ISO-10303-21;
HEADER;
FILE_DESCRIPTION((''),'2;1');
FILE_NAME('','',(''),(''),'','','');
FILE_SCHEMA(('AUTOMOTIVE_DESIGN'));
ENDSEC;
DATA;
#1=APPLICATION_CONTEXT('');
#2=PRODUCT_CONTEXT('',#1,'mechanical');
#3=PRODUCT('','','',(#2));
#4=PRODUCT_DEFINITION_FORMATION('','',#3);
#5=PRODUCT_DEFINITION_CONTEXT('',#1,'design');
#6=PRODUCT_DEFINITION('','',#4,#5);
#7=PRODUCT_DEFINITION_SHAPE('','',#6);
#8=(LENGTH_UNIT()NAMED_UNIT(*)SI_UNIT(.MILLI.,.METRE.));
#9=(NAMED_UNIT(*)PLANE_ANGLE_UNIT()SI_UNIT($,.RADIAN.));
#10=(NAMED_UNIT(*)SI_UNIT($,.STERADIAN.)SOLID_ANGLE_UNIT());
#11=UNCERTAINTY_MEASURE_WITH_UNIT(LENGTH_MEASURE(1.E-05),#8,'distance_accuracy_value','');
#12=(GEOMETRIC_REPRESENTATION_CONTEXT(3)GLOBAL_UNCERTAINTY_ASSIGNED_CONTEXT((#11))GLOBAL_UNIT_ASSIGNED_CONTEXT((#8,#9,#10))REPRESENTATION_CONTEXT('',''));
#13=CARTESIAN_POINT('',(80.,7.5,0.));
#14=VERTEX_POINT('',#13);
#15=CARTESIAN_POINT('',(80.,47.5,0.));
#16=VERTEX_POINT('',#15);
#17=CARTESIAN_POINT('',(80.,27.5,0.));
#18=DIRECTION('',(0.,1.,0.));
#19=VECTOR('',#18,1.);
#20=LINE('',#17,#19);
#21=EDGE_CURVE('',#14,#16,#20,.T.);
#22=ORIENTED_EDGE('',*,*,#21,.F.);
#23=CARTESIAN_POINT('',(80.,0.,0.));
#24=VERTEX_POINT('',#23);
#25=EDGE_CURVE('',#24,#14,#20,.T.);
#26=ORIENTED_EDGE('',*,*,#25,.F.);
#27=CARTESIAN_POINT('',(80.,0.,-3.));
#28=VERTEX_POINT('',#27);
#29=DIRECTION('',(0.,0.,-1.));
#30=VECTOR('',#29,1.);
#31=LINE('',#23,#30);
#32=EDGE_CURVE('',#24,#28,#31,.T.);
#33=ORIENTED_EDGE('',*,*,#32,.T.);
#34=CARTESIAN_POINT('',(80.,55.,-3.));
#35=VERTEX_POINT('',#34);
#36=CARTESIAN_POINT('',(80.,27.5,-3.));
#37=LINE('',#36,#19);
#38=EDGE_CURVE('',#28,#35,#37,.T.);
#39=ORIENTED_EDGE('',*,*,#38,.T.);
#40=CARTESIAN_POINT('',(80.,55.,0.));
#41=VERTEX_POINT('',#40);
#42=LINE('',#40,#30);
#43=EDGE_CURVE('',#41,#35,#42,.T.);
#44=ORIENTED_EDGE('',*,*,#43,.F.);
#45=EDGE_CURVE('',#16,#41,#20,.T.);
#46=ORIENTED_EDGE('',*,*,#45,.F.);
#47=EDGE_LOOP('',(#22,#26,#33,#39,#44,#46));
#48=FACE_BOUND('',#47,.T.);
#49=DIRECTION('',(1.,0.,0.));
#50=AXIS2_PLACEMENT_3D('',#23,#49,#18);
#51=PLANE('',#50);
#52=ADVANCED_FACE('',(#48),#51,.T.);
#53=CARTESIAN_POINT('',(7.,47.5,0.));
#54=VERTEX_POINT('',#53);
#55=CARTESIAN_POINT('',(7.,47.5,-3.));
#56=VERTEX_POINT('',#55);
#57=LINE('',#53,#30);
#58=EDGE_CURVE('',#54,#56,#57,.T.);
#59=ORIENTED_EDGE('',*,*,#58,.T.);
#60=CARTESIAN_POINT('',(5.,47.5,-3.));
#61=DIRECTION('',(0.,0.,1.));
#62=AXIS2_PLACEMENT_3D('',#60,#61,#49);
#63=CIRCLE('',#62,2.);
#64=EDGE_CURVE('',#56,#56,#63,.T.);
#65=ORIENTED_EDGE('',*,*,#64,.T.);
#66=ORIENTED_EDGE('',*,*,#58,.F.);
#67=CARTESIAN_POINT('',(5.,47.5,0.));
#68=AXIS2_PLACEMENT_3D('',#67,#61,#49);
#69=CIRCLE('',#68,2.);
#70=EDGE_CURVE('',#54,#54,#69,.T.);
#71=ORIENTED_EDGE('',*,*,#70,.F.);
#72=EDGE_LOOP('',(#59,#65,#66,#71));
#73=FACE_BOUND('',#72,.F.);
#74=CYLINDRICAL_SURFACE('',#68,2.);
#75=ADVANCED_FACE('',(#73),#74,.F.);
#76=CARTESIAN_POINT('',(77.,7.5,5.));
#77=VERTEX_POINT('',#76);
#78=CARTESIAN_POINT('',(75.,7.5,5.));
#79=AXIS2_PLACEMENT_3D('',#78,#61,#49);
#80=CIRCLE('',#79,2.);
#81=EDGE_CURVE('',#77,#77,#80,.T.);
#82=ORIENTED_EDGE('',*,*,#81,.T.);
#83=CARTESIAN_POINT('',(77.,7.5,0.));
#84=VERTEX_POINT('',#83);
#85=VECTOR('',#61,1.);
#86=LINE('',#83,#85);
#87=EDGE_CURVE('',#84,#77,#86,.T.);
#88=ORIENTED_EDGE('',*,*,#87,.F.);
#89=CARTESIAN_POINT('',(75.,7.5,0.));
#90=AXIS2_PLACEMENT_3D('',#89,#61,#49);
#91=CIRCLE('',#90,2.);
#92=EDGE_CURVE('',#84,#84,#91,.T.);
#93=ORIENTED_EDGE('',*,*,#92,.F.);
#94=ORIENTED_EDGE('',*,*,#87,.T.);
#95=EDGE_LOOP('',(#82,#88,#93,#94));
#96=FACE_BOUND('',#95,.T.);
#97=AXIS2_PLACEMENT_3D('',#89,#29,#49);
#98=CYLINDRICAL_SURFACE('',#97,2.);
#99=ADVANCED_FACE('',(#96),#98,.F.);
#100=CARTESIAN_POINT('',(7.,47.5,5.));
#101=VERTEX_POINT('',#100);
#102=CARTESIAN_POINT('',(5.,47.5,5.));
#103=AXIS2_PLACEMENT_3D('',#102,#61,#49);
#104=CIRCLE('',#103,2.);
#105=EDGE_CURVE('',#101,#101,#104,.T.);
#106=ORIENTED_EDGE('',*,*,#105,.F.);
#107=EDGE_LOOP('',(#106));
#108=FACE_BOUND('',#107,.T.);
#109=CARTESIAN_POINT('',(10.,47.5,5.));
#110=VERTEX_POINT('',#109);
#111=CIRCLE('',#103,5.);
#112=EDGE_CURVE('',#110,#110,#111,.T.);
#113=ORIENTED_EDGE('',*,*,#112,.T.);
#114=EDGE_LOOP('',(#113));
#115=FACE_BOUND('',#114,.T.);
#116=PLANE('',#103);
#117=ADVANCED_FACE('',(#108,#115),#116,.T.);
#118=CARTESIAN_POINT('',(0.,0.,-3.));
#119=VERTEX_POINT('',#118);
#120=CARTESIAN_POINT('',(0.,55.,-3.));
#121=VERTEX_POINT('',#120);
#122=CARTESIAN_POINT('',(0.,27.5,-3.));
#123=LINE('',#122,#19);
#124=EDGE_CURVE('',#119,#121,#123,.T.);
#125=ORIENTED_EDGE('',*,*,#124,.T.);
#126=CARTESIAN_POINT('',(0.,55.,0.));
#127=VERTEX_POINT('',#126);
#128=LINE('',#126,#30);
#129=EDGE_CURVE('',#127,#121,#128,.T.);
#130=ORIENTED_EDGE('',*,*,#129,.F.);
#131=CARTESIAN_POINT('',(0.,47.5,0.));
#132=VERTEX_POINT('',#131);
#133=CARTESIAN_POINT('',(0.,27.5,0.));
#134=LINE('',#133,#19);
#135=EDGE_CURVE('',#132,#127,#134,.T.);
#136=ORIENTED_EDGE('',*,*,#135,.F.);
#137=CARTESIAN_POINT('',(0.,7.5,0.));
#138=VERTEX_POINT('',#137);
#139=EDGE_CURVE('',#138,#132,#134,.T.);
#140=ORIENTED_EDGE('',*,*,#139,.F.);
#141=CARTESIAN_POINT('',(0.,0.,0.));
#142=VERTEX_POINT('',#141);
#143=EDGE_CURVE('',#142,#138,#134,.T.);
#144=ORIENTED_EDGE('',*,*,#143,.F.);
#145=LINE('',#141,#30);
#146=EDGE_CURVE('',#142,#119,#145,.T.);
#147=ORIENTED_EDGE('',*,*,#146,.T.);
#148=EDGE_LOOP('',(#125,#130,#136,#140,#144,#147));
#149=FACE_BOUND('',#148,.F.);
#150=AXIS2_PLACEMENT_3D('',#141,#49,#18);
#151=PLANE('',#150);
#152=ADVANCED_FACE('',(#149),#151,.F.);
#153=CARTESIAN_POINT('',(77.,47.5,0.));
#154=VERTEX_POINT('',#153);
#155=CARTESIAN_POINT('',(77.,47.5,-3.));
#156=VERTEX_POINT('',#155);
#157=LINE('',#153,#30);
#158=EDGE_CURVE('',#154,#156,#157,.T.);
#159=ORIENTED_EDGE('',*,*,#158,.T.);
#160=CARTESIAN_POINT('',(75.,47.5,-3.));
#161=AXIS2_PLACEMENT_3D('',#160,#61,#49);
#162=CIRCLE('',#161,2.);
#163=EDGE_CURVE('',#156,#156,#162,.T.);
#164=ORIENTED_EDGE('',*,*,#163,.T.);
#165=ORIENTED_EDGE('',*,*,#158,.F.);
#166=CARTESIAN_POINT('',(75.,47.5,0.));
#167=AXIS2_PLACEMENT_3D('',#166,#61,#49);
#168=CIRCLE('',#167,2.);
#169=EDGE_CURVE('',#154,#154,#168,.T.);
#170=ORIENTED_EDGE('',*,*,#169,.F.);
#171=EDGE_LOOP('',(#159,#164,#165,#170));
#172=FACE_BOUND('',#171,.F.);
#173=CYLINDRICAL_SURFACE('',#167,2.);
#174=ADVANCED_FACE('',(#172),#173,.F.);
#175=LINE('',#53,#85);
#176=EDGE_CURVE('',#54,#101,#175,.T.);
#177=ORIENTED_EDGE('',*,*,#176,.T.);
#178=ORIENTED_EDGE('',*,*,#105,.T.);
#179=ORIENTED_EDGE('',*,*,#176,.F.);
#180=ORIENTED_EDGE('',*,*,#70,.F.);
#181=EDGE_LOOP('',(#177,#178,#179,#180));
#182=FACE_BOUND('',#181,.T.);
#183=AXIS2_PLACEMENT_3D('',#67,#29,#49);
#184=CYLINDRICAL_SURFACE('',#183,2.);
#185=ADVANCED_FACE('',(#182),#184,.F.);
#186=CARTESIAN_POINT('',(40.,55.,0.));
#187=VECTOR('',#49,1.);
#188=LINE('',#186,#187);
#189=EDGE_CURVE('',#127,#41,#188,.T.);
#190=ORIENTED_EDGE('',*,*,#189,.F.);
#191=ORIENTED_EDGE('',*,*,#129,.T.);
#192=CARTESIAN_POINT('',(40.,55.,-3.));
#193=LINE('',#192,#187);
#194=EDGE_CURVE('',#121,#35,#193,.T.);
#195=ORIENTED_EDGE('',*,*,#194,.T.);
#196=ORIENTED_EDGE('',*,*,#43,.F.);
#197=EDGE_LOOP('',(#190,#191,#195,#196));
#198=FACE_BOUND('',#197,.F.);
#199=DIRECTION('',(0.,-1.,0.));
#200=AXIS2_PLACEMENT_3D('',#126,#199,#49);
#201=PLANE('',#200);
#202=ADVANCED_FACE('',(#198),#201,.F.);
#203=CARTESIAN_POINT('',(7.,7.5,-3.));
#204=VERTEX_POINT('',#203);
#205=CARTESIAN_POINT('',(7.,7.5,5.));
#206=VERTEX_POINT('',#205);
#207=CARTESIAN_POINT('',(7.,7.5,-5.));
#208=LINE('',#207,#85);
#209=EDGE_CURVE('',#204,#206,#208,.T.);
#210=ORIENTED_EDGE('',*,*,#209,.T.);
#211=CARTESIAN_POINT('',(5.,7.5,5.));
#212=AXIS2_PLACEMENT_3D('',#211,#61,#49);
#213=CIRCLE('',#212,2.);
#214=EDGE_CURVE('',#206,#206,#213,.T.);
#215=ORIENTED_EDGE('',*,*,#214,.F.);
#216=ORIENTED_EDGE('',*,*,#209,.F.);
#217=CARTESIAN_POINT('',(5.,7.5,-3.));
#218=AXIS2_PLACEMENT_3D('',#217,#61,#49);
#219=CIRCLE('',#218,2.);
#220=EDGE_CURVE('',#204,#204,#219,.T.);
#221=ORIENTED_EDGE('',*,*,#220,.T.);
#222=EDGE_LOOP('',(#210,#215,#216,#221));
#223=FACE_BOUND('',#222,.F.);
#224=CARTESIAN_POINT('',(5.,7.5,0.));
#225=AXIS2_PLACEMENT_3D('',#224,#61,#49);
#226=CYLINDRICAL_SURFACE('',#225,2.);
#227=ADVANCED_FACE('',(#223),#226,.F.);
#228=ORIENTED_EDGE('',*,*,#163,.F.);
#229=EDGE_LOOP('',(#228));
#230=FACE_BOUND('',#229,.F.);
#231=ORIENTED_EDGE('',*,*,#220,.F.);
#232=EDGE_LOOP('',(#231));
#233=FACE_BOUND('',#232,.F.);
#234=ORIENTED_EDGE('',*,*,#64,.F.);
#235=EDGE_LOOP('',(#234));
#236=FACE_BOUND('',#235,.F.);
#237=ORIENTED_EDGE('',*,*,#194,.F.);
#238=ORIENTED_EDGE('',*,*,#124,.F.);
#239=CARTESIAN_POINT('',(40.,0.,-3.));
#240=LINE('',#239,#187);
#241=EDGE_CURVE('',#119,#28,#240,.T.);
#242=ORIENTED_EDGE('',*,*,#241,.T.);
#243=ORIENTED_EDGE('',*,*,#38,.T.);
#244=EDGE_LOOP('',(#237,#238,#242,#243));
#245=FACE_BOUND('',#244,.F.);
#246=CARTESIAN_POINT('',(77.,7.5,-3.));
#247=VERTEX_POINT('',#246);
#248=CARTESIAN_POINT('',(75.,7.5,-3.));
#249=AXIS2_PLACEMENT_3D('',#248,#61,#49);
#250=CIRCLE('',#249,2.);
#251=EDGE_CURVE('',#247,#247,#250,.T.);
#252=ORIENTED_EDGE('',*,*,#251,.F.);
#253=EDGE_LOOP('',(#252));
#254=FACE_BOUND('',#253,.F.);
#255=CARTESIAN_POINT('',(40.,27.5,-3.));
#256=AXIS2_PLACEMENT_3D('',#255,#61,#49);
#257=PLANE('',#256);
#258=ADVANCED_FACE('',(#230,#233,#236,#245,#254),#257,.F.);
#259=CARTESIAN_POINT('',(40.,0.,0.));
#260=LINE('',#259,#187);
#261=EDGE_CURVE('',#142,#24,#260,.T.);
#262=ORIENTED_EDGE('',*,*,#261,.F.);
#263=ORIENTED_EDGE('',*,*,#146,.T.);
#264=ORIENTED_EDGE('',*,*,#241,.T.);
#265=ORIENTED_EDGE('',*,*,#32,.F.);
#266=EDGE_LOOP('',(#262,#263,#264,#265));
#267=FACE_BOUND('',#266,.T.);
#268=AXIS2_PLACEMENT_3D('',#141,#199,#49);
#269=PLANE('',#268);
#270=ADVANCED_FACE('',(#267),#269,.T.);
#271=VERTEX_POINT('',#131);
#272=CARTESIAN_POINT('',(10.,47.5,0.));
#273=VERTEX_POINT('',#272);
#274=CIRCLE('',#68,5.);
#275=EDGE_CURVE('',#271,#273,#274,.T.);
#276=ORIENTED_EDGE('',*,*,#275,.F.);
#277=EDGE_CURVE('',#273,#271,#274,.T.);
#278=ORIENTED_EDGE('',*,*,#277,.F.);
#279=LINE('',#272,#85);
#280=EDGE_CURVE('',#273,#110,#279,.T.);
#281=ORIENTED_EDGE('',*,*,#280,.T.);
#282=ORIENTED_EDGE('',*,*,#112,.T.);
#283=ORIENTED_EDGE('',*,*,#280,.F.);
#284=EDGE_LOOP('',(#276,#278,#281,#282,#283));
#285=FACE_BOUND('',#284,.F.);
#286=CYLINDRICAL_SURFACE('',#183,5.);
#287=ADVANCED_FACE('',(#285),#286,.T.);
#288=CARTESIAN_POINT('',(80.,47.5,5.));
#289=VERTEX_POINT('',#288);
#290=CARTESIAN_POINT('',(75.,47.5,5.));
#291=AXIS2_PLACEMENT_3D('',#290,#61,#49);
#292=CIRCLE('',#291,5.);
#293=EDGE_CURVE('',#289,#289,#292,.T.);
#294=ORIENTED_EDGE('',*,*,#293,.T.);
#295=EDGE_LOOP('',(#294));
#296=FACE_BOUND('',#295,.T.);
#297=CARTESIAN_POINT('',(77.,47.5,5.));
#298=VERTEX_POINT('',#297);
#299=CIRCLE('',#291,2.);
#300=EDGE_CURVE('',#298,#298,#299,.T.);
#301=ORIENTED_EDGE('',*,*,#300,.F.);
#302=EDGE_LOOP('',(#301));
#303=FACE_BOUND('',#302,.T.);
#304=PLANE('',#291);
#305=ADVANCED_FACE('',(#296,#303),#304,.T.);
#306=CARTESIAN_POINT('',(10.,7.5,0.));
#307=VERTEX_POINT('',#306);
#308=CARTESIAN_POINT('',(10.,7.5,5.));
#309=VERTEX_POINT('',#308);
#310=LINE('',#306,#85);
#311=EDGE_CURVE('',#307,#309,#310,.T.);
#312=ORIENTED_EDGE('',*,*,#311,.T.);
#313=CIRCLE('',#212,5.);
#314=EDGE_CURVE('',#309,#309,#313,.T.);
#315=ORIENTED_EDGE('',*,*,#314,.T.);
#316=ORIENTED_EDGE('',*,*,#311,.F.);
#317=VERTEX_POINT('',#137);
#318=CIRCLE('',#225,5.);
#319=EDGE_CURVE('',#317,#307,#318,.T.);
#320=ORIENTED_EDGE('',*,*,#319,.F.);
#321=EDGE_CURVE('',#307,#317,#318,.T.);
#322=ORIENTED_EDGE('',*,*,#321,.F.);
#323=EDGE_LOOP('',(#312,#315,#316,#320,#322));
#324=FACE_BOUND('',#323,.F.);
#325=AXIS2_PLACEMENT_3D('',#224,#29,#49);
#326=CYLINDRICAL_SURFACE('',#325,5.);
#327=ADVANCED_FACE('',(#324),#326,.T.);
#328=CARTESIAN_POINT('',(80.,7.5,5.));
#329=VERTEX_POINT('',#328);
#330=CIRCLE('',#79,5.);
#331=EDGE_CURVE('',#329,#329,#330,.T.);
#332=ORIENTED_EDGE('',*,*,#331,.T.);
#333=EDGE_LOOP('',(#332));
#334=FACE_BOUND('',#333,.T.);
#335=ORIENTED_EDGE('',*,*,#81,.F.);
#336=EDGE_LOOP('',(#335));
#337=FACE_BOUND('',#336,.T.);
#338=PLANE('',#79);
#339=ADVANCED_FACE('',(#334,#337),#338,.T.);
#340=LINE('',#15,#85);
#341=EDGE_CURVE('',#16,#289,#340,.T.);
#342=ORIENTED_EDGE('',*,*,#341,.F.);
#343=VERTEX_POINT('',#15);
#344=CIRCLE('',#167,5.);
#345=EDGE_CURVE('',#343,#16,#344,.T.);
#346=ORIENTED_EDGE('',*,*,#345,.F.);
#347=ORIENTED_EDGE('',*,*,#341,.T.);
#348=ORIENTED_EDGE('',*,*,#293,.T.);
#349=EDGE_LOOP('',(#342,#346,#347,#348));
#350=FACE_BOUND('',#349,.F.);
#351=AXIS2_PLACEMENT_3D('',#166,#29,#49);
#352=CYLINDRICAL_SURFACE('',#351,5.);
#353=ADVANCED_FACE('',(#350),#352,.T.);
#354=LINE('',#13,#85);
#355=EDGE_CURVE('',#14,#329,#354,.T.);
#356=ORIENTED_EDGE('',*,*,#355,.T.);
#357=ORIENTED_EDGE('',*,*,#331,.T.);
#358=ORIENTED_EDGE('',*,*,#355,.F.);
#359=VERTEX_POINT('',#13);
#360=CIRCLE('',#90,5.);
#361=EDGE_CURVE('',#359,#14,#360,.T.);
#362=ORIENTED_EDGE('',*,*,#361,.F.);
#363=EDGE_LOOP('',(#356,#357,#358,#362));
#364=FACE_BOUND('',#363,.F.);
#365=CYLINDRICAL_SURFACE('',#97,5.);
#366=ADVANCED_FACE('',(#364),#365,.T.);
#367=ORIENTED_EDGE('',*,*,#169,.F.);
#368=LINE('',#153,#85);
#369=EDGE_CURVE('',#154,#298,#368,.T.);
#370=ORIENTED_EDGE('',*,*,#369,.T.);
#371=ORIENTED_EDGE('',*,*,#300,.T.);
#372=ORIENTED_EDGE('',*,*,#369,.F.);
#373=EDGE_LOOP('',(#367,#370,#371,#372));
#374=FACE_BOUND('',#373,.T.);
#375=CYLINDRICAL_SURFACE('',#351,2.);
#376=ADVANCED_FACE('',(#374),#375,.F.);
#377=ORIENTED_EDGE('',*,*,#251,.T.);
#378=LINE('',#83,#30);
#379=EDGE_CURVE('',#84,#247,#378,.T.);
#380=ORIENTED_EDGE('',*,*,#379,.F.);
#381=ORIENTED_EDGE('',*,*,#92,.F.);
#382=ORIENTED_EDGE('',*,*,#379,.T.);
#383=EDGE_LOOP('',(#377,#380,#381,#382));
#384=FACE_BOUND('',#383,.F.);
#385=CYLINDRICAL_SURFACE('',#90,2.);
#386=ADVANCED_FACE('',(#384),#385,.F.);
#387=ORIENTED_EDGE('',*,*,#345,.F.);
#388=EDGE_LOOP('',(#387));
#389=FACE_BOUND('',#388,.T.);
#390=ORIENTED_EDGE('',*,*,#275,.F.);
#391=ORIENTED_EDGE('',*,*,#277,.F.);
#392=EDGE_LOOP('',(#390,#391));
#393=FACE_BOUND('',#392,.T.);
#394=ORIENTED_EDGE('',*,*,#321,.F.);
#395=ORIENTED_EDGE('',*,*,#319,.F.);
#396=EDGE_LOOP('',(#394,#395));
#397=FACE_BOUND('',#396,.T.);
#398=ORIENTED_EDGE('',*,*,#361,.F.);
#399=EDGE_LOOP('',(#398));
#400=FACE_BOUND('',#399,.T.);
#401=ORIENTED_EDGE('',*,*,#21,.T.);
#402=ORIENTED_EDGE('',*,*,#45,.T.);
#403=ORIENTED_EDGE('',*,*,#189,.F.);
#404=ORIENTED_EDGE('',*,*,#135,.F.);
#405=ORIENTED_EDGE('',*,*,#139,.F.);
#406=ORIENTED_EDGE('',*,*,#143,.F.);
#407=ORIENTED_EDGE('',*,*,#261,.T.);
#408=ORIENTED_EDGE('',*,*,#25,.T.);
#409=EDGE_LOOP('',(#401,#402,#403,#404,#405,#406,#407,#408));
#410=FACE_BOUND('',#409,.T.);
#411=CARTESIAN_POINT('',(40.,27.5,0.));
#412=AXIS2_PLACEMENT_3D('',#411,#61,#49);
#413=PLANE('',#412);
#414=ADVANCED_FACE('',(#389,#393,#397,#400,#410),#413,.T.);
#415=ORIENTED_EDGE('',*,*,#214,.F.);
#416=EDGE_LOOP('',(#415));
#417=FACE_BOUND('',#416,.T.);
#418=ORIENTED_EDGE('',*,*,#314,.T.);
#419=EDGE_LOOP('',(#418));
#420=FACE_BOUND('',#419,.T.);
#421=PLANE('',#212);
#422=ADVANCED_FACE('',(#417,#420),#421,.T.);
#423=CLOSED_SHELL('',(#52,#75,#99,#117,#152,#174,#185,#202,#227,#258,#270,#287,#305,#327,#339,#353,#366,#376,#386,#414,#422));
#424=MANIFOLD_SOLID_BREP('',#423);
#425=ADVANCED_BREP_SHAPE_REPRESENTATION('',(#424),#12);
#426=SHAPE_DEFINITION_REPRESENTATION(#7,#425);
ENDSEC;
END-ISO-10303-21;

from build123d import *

# Parameters (mm, degrees)
SKETCH_W     = 80
SKETCH_H     = 55
PAD_DEPTH    = 3
SKETCH001_R  = 5
PAD001_DEPTH = 5
SKETCH002_R  = 2
POCKET_DEPTH = 5


with BuildPart() as part:
    # Sketch → Pad (new body)
    with BuildSketch(Plane.XY):
        with Locations((40, 27.5)):
            Rectangle(SKETCH_W, SKETCH_H)
    extrude(amount=-PAD_DEPTH)

    # Sketch001 → Pad001 (join)
    with BuildSketch(Plane.XY):
        with Locations((5, 47.5)):
            Circle(SKETCH001_R)
        with Locations((75, 47.5)):
            Circle(SKETCH001_R)
        with Locations((5, 7.5)):
            Circle(SKETCH001_R)
        with Locations((75, 7.5)):
            Circle(SKETCH001_R)
    extrude(amount=PAD001_DEPTH)

    # Sketch002 → Pocket (cut, symmetric)
    with BuildSketch(Plane.XY):
        with Locations((5, 47.5)):
            Circle(SKETCH002_R)
        with Locations((75, 47.5)):
            Circle(SKETCH002_R)
        with Locations((75, 7.5)):
            Circle(SKETCH002_R)
        with Locations((5, 7.5)):
            Circle(SKETCH002_R)
    extrude(amount=POCKET_DEPTH, both=True, mode=Mode.SUBTRACT)


solid = part.part
